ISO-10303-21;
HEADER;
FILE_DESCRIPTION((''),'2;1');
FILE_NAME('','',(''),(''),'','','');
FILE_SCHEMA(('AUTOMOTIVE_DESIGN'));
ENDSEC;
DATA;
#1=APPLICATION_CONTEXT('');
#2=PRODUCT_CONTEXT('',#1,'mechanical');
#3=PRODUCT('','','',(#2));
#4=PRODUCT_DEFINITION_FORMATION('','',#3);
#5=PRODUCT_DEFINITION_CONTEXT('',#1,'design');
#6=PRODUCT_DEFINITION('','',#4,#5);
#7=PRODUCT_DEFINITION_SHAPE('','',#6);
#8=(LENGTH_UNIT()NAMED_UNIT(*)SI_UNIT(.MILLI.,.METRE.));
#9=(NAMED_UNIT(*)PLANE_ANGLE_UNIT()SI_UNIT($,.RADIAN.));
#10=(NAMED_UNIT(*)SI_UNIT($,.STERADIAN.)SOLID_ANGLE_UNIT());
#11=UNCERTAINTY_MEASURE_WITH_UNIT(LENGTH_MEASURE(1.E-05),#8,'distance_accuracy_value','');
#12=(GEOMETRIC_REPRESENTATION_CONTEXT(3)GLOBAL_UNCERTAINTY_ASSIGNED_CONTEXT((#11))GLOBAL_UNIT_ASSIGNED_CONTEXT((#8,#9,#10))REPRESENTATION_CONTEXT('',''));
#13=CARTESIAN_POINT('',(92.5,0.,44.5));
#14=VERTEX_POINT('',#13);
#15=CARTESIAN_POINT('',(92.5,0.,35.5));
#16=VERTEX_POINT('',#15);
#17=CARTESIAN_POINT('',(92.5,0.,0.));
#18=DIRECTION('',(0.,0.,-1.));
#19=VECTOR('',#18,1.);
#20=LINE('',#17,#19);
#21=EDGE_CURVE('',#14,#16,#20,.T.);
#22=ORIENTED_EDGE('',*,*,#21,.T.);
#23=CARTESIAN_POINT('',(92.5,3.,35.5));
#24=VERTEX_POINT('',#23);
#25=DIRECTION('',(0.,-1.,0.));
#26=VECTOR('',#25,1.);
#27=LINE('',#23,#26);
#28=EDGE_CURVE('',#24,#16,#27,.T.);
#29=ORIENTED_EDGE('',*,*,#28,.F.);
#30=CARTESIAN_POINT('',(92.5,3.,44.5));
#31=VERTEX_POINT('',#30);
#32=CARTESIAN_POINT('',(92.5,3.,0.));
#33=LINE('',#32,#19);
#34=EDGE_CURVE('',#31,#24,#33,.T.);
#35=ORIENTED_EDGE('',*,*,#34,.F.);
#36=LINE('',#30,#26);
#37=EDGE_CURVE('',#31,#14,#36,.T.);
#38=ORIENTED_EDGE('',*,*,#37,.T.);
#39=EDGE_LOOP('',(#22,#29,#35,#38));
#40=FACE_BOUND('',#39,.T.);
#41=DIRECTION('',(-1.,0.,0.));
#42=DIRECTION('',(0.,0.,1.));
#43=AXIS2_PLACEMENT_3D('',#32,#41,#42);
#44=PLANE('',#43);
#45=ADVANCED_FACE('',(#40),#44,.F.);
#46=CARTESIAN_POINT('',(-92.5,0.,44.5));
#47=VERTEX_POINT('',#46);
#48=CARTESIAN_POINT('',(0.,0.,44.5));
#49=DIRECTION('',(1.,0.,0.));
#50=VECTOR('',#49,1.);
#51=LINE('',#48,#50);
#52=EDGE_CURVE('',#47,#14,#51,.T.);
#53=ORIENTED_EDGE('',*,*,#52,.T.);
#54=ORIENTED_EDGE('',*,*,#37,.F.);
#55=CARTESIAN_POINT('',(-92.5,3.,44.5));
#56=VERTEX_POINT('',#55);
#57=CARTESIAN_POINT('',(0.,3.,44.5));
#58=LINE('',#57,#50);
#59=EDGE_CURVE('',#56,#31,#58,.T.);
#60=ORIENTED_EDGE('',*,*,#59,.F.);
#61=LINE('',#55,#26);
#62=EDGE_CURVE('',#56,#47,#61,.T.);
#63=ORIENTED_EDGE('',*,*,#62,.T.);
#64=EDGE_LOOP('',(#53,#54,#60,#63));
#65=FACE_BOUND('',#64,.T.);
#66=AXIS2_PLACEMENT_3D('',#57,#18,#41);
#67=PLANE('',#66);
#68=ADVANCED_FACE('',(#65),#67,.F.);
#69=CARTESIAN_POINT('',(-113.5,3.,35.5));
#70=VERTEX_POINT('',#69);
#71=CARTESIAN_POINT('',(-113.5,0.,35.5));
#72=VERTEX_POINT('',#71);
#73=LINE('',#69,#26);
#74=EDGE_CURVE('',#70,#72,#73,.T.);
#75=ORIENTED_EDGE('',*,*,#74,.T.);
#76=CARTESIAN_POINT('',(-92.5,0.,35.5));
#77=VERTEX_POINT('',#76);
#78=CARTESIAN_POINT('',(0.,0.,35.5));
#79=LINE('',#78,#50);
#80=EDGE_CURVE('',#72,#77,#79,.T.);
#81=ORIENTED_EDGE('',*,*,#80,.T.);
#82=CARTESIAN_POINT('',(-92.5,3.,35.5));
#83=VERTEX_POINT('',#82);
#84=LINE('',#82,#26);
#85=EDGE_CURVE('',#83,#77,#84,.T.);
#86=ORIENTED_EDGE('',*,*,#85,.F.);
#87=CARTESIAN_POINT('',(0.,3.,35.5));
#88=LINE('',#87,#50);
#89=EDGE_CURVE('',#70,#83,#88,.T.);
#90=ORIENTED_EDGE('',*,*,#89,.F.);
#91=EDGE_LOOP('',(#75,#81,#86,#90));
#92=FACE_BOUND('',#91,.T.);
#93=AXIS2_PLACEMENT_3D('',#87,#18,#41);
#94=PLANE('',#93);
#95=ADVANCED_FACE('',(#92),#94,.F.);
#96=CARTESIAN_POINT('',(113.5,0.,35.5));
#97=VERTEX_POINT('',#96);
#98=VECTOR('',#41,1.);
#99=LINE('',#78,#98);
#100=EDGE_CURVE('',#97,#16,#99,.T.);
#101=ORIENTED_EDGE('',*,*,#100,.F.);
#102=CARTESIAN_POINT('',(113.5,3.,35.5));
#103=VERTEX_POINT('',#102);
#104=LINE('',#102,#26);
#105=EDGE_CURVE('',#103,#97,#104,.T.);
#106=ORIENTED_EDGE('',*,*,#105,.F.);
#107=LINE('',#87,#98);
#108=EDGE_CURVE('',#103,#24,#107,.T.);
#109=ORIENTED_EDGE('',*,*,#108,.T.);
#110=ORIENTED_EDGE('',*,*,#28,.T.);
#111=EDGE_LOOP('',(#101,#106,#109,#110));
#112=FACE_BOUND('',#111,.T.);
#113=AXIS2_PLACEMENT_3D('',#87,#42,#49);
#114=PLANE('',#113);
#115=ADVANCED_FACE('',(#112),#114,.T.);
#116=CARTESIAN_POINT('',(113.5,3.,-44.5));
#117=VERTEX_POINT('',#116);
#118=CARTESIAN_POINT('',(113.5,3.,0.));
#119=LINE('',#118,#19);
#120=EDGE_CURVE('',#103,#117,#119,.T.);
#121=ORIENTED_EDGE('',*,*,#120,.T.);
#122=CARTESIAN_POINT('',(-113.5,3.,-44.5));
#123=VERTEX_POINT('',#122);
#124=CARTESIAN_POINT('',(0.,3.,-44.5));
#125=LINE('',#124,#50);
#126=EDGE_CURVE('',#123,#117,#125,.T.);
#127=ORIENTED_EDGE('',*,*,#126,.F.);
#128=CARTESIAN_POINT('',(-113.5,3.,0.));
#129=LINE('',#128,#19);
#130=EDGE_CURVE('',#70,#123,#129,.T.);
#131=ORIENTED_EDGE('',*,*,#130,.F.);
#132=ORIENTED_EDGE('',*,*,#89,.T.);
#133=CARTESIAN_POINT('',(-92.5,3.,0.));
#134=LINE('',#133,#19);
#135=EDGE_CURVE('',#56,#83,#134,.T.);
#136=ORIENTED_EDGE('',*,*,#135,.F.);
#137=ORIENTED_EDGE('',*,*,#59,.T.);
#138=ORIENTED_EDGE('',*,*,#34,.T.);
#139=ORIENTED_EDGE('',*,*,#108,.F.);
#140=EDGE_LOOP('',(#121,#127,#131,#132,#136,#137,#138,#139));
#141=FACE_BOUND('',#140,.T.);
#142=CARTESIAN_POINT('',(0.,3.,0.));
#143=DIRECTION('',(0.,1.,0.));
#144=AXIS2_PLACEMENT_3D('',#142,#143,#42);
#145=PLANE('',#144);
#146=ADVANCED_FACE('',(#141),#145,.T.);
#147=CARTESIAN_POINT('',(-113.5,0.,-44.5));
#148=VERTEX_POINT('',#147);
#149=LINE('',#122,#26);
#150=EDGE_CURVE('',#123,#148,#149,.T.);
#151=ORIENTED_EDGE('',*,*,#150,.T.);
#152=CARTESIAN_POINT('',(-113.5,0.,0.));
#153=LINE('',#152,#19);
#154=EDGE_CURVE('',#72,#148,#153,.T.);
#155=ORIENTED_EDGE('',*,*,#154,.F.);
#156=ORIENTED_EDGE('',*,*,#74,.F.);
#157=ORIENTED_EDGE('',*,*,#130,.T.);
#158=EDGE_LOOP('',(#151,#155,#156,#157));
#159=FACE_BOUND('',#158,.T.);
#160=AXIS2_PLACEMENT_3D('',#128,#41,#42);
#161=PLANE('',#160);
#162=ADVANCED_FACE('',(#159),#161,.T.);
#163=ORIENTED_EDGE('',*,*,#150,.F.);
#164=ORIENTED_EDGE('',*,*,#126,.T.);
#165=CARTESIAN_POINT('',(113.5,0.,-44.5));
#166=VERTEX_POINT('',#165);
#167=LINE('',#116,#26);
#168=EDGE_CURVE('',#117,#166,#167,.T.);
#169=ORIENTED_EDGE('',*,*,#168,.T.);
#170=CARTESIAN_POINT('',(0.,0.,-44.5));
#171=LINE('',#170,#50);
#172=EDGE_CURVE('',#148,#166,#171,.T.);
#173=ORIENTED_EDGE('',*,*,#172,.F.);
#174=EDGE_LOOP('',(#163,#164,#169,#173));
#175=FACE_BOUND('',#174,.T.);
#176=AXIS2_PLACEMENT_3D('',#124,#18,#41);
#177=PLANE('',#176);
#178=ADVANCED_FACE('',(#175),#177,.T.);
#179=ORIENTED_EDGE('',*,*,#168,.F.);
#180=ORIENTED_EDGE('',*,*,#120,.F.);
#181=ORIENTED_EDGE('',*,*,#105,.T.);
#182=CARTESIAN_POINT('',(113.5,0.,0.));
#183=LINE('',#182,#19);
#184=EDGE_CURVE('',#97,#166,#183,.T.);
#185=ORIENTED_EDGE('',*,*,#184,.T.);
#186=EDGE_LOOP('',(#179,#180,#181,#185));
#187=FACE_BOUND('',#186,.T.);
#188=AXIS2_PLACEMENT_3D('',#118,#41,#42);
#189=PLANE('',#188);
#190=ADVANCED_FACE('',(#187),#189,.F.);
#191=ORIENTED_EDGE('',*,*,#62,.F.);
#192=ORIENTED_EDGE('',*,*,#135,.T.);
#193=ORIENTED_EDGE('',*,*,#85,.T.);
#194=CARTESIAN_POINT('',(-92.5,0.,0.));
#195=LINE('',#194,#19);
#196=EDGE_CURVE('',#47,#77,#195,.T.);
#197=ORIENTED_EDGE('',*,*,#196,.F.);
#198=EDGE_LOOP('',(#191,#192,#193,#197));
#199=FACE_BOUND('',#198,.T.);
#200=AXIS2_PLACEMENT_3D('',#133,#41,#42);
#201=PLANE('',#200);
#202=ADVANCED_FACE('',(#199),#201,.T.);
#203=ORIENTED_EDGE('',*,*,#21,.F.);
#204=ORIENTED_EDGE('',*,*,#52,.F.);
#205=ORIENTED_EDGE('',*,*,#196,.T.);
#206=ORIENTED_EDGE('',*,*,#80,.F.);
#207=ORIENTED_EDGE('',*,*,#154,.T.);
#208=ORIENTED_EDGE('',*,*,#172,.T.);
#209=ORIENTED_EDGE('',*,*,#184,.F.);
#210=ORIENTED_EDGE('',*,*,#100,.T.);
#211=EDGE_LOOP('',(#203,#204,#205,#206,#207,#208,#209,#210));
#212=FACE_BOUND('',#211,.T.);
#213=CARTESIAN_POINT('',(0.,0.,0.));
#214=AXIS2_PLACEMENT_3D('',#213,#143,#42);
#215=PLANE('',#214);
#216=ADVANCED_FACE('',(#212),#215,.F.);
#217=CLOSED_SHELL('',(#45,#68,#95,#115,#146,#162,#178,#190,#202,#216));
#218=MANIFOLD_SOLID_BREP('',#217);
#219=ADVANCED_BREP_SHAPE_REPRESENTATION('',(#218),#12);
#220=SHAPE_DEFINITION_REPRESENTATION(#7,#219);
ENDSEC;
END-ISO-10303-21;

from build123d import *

# Parameters (mm, degrees)
EXTRUDE1_DEPTH = 3


with BuildPart() as part:
    # Sketch1 → Extrude1 (new body)
    with BuildSketch(Plane(origin=(0, 0, 0), x_dir=(1, 0, 0), z_dir=(0, 1, 0))):
        Polygon((-92.5, -35.5), (-92.5, -44.5), (92.5, -44.5), (92.5, -35.5), (113.5, -35.5), (113.5, 44.5), (-113.5, 44.5), (-113.5, -35.5), align=None)
    extrude(amount=EXTRUDE1_DEPTH)


solid = part.part
